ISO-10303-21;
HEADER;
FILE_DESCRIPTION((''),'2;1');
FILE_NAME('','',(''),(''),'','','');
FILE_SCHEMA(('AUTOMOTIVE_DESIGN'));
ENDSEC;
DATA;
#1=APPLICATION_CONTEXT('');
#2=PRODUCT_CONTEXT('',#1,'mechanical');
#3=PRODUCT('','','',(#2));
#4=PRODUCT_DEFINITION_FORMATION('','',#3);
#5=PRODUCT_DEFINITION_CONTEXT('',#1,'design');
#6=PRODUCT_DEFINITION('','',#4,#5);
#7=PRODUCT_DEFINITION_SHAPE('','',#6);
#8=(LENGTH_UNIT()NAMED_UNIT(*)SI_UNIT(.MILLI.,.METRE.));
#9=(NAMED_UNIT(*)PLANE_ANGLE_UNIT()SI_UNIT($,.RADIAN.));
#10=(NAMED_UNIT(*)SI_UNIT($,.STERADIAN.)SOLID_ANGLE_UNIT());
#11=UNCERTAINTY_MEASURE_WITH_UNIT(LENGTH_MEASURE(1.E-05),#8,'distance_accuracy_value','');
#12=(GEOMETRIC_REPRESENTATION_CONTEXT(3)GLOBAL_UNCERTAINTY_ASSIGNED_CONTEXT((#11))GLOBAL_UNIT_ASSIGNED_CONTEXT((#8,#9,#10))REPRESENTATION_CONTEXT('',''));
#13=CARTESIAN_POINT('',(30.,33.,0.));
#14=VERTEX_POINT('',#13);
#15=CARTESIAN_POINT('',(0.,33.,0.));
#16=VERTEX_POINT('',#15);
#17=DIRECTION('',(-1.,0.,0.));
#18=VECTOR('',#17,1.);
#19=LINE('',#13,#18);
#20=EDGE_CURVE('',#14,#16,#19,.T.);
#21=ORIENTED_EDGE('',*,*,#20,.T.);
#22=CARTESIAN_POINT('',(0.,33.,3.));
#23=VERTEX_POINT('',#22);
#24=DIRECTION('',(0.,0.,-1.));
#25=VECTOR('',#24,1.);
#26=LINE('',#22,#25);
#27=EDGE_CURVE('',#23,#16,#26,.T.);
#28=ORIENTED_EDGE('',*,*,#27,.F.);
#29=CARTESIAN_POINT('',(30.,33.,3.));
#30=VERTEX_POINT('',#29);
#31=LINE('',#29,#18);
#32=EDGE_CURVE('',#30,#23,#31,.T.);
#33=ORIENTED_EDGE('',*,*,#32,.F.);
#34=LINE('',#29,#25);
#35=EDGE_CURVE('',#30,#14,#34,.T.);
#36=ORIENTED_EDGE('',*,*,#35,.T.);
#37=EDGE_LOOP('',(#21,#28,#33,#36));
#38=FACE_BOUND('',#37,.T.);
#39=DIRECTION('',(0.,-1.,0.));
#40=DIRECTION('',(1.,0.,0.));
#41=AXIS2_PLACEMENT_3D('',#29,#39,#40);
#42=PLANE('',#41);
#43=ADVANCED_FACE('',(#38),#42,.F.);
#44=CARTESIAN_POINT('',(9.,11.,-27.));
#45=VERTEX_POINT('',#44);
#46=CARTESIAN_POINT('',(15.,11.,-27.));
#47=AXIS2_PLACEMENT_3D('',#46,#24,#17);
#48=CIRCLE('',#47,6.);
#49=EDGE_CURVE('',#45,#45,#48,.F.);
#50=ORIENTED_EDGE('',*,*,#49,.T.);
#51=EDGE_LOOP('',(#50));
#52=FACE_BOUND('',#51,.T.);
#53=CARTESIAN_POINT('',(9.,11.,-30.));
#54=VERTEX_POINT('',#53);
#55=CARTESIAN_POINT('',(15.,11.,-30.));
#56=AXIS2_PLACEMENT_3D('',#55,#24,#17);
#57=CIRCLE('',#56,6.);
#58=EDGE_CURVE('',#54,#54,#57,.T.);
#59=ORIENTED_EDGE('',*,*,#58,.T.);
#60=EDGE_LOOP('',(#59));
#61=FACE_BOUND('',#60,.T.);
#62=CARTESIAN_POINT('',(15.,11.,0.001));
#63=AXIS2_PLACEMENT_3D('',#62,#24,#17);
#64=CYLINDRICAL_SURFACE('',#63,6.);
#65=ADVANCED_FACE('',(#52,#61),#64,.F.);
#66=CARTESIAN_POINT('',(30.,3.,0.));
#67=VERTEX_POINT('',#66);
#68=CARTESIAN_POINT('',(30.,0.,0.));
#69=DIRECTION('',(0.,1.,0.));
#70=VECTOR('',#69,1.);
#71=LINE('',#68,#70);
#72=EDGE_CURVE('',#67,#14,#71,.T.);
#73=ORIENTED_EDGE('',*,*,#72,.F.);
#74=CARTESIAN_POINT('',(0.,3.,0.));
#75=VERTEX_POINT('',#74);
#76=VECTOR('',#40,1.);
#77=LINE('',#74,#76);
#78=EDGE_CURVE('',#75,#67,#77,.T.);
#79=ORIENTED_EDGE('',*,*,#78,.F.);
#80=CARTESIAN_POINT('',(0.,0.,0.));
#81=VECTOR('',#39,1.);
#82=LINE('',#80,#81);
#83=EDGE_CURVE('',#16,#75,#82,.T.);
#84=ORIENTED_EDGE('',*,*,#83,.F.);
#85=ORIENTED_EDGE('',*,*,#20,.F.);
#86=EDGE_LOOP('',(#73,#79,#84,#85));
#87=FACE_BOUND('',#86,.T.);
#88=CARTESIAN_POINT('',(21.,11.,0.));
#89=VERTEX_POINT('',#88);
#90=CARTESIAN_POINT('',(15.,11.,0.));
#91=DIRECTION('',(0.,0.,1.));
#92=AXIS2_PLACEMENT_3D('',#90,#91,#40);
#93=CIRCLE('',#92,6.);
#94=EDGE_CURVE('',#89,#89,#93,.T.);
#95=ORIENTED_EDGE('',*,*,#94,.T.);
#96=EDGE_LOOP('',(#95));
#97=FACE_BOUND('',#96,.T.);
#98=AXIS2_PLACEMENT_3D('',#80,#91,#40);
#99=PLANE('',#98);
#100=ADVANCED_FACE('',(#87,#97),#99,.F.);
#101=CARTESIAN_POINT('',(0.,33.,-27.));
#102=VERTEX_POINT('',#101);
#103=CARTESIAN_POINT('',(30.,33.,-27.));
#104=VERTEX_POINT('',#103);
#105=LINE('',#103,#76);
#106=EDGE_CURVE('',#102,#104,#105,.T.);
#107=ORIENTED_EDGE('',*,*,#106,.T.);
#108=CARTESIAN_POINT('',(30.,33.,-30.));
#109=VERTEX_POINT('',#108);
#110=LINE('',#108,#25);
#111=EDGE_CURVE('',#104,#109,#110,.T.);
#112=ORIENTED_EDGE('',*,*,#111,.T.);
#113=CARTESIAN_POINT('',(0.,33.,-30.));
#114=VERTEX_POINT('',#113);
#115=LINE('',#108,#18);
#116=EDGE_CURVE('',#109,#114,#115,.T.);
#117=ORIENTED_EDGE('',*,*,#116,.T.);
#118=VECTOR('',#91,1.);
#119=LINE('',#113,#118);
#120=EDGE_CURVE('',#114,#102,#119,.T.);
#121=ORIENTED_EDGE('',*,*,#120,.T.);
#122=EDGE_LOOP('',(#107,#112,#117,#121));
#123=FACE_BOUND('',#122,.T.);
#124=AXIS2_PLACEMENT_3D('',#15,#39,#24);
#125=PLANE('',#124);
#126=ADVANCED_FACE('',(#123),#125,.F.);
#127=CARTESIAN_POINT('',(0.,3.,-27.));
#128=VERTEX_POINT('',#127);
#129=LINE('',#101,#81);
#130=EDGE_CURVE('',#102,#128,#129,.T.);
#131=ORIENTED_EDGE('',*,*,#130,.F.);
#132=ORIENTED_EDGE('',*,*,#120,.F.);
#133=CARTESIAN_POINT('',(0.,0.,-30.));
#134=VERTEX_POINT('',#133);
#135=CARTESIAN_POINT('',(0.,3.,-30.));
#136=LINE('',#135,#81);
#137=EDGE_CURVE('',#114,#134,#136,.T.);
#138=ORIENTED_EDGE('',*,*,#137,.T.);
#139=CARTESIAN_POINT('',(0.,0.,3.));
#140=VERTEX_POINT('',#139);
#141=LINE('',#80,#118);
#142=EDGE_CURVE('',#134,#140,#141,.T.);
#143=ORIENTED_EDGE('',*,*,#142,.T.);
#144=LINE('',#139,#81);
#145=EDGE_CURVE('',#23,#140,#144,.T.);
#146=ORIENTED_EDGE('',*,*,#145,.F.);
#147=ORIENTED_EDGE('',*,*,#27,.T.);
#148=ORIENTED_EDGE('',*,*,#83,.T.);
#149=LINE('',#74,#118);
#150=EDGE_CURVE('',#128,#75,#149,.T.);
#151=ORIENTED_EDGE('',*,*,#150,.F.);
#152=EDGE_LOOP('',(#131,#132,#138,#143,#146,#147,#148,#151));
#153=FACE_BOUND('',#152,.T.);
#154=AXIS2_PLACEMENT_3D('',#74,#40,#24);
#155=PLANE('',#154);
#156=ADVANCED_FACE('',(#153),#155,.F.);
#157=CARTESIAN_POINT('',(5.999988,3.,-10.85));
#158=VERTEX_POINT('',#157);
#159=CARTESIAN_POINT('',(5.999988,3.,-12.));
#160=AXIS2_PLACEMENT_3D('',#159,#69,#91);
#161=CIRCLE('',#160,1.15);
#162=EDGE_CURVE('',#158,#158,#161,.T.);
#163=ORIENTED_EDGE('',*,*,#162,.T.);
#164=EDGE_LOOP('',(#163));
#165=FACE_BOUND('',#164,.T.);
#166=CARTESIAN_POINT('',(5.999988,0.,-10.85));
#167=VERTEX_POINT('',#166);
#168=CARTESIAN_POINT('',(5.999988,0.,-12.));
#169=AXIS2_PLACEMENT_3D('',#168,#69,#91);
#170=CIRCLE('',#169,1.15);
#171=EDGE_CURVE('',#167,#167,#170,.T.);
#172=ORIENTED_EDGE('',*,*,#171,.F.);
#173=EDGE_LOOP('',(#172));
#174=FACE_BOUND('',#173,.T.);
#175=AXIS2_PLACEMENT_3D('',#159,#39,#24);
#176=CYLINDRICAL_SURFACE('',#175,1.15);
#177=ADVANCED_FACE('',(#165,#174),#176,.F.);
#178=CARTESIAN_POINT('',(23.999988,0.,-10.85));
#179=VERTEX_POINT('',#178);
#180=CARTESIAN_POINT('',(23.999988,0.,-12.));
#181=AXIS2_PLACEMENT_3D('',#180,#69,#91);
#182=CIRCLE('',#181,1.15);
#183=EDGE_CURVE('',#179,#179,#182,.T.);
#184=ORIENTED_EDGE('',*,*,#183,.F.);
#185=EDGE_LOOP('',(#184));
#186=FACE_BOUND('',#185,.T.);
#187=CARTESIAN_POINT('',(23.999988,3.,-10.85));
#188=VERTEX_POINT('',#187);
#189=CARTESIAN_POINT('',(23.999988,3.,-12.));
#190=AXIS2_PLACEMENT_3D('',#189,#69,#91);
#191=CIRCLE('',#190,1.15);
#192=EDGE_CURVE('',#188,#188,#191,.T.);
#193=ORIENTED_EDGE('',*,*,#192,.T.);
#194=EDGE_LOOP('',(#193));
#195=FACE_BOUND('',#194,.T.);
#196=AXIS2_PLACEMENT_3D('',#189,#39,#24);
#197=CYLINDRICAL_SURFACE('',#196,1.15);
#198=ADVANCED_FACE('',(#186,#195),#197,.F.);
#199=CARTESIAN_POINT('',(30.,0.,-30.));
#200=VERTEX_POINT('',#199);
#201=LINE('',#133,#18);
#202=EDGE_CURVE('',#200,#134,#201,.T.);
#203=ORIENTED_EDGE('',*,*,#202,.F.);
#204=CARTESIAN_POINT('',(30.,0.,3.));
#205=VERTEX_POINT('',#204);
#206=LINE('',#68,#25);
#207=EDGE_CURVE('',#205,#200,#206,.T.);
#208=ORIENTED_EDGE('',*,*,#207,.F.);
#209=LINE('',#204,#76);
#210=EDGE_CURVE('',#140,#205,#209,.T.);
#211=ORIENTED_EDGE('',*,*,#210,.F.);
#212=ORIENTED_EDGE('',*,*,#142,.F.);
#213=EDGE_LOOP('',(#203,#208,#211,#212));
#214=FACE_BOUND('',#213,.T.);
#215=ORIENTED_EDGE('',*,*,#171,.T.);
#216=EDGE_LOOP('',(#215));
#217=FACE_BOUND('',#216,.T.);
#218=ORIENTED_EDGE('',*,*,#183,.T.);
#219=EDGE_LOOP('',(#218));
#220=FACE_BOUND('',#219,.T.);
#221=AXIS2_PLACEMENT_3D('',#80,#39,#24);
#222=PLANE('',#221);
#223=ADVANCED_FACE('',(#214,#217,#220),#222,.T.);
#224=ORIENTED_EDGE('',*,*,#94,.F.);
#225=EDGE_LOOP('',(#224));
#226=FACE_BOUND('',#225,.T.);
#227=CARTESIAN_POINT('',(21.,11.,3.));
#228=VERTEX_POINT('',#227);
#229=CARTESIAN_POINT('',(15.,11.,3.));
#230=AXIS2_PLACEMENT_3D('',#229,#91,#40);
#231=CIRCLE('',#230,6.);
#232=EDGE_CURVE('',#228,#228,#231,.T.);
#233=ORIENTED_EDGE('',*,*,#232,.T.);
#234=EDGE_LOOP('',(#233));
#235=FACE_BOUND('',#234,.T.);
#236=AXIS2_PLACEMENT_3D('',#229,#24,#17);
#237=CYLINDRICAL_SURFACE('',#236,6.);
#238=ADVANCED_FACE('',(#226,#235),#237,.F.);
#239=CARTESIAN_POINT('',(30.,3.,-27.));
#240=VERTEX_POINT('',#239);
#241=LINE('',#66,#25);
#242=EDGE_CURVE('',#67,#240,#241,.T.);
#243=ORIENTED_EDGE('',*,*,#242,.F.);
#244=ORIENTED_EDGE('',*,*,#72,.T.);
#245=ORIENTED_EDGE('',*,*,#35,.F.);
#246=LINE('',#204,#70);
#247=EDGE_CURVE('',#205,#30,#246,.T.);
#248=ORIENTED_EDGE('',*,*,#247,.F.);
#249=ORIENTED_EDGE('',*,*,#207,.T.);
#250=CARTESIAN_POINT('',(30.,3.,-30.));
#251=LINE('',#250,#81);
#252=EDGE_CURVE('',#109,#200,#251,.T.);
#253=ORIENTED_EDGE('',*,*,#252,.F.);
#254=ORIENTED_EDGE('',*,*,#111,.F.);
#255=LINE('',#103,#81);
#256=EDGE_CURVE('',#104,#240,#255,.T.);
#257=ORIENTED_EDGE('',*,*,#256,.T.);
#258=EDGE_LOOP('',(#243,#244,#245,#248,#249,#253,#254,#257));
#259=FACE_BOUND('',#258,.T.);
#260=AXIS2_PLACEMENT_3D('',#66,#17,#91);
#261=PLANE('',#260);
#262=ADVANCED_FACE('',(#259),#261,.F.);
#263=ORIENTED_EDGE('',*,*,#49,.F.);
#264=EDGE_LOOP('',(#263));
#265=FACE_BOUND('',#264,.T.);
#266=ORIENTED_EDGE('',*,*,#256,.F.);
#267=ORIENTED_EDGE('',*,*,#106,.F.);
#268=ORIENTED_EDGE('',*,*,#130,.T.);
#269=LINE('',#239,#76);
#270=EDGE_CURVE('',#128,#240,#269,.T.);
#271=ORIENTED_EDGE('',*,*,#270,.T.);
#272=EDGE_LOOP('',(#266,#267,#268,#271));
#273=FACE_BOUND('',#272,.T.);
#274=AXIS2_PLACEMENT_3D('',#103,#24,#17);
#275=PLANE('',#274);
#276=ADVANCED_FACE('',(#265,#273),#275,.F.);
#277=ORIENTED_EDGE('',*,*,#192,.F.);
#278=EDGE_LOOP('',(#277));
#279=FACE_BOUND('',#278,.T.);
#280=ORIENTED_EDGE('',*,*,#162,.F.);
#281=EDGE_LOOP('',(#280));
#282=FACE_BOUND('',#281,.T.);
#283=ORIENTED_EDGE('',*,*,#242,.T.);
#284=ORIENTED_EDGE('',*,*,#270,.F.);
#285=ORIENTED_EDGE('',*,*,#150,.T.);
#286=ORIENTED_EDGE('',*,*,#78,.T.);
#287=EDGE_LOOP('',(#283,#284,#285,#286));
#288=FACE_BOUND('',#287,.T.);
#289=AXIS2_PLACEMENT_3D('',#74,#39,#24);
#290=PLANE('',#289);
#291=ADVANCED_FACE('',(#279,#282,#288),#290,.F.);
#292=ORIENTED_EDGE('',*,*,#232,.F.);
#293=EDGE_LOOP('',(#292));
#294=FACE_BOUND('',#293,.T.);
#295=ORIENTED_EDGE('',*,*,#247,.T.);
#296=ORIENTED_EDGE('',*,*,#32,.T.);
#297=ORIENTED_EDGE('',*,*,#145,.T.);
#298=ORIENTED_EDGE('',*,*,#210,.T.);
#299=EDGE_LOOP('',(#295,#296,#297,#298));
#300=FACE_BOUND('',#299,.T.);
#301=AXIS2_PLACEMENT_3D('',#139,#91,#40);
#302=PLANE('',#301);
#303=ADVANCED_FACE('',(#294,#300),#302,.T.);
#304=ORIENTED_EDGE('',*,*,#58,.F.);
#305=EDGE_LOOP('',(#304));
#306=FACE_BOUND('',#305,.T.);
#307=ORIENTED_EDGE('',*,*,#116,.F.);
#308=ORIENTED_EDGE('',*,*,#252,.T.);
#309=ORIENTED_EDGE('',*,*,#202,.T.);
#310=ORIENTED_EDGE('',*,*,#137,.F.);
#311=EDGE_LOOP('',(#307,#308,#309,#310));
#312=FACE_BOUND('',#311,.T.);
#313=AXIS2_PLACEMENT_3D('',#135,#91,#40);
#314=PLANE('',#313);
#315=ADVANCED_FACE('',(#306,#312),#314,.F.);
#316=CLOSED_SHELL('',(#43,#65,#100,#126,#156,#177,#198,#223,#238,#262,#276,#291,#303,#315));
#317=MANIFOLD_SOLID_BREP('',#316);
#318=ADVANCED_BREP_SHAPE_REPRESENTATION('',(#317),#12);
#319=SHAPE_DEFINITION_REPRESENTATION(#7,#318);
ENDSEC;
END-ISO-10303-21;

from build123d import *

# Parameters (mm, degrees)
SKETCH1_W           = 30
SKETCH1_H           = 30
SKETCH1_R           = 1.15
BOSS_EXTRUDE1_DEPTH = 3
SKETCH2_W           = 30
SKETCH2_H           = 3
BOSS_EXTRUDE2_DEPTH = 30
CUT_EXTRUDE1_REACH  = 55.749
SKETCH3_R           = 6
SKETCH4_W           = 30
SKETCH4_H           = 33
SKETCH4_R           = 6
BOSS_EXTRUDE3_DEPTH = 3


with BuildPart() as part:
    # Sketch1 → Boss-Extrude1 (new body)
    with BuildSketch(Plane(origin=(0, 0, 0), x_dir=(1, 0, 0), z_dir=(0, 1, 0))):
        with Locations((15, 15)):
            Rectangle(SKETCH1_W, SKETCH1_H)
        with Locations(Location((5.999988, 12, 0), (0, 0, 270))):
            Circle(SKETCH1_R, mode=Mode.SUBTRACT)
        with Locations(Location((23.999988, 12, 0), (0, 0, 270))):
            Circle(SKETCH1_R, mode=Mode.SUBTRACT)
    extrude(amount=BOSS_EXTRUDE1_DEPTH)

    # Sketch2 → Boss-Extrude2 (add)
    with BuildSketch(Plane(origin=(0, 3, 0), x_dir=(1, 0, 0), z_dir=(0, 1, 0))):
        with Locations((15, 28.5)):
            Rectangle(SKETCH2_W, SKETCH2_H)
    extrude(amount=BOSS_EXTRUDE2_DEPTH)

    # Sketch3 → Cut-Extrude1 (cut, up to next)
    with BuildSketch(Plane(origin=(0, 0, -30), x_dir=(-1, 0, 0), z_dir=(0, 0, -1)), mode=Mode.PRIVATE) as cut_extrude1_sk1:
        with Locations((-15, 11)):
            Circle(SKETCH3_R)
    cut_extrude1_tool1 = extrude(cut_extrude1_sk1.sketch, amount=-CUT_EXTRUDE1_REACH, mode=Mode.PRIVATE) & part.part
    add(cut_extrude1_tool1.solids().sort_by_distance((15, 11, -30))[0], mode=Mode.SUBTRACT)

    # Sketch4 → Boss-Extrude3 (add)
    with BuildSketch(Plane.XY):
        with Locations((15, 16.5)):
            Rectangle(SKETCH4_W, SKETCH4_H)
        with Locations(Location((15, 11, 0), (0, 0, 180))):
            Circle(SKETCH4_R, mode=Mode.SUBTRACT)
    extrude(amount=BOSS_EXTRUDE3_DEPTH)


solid = part.part
